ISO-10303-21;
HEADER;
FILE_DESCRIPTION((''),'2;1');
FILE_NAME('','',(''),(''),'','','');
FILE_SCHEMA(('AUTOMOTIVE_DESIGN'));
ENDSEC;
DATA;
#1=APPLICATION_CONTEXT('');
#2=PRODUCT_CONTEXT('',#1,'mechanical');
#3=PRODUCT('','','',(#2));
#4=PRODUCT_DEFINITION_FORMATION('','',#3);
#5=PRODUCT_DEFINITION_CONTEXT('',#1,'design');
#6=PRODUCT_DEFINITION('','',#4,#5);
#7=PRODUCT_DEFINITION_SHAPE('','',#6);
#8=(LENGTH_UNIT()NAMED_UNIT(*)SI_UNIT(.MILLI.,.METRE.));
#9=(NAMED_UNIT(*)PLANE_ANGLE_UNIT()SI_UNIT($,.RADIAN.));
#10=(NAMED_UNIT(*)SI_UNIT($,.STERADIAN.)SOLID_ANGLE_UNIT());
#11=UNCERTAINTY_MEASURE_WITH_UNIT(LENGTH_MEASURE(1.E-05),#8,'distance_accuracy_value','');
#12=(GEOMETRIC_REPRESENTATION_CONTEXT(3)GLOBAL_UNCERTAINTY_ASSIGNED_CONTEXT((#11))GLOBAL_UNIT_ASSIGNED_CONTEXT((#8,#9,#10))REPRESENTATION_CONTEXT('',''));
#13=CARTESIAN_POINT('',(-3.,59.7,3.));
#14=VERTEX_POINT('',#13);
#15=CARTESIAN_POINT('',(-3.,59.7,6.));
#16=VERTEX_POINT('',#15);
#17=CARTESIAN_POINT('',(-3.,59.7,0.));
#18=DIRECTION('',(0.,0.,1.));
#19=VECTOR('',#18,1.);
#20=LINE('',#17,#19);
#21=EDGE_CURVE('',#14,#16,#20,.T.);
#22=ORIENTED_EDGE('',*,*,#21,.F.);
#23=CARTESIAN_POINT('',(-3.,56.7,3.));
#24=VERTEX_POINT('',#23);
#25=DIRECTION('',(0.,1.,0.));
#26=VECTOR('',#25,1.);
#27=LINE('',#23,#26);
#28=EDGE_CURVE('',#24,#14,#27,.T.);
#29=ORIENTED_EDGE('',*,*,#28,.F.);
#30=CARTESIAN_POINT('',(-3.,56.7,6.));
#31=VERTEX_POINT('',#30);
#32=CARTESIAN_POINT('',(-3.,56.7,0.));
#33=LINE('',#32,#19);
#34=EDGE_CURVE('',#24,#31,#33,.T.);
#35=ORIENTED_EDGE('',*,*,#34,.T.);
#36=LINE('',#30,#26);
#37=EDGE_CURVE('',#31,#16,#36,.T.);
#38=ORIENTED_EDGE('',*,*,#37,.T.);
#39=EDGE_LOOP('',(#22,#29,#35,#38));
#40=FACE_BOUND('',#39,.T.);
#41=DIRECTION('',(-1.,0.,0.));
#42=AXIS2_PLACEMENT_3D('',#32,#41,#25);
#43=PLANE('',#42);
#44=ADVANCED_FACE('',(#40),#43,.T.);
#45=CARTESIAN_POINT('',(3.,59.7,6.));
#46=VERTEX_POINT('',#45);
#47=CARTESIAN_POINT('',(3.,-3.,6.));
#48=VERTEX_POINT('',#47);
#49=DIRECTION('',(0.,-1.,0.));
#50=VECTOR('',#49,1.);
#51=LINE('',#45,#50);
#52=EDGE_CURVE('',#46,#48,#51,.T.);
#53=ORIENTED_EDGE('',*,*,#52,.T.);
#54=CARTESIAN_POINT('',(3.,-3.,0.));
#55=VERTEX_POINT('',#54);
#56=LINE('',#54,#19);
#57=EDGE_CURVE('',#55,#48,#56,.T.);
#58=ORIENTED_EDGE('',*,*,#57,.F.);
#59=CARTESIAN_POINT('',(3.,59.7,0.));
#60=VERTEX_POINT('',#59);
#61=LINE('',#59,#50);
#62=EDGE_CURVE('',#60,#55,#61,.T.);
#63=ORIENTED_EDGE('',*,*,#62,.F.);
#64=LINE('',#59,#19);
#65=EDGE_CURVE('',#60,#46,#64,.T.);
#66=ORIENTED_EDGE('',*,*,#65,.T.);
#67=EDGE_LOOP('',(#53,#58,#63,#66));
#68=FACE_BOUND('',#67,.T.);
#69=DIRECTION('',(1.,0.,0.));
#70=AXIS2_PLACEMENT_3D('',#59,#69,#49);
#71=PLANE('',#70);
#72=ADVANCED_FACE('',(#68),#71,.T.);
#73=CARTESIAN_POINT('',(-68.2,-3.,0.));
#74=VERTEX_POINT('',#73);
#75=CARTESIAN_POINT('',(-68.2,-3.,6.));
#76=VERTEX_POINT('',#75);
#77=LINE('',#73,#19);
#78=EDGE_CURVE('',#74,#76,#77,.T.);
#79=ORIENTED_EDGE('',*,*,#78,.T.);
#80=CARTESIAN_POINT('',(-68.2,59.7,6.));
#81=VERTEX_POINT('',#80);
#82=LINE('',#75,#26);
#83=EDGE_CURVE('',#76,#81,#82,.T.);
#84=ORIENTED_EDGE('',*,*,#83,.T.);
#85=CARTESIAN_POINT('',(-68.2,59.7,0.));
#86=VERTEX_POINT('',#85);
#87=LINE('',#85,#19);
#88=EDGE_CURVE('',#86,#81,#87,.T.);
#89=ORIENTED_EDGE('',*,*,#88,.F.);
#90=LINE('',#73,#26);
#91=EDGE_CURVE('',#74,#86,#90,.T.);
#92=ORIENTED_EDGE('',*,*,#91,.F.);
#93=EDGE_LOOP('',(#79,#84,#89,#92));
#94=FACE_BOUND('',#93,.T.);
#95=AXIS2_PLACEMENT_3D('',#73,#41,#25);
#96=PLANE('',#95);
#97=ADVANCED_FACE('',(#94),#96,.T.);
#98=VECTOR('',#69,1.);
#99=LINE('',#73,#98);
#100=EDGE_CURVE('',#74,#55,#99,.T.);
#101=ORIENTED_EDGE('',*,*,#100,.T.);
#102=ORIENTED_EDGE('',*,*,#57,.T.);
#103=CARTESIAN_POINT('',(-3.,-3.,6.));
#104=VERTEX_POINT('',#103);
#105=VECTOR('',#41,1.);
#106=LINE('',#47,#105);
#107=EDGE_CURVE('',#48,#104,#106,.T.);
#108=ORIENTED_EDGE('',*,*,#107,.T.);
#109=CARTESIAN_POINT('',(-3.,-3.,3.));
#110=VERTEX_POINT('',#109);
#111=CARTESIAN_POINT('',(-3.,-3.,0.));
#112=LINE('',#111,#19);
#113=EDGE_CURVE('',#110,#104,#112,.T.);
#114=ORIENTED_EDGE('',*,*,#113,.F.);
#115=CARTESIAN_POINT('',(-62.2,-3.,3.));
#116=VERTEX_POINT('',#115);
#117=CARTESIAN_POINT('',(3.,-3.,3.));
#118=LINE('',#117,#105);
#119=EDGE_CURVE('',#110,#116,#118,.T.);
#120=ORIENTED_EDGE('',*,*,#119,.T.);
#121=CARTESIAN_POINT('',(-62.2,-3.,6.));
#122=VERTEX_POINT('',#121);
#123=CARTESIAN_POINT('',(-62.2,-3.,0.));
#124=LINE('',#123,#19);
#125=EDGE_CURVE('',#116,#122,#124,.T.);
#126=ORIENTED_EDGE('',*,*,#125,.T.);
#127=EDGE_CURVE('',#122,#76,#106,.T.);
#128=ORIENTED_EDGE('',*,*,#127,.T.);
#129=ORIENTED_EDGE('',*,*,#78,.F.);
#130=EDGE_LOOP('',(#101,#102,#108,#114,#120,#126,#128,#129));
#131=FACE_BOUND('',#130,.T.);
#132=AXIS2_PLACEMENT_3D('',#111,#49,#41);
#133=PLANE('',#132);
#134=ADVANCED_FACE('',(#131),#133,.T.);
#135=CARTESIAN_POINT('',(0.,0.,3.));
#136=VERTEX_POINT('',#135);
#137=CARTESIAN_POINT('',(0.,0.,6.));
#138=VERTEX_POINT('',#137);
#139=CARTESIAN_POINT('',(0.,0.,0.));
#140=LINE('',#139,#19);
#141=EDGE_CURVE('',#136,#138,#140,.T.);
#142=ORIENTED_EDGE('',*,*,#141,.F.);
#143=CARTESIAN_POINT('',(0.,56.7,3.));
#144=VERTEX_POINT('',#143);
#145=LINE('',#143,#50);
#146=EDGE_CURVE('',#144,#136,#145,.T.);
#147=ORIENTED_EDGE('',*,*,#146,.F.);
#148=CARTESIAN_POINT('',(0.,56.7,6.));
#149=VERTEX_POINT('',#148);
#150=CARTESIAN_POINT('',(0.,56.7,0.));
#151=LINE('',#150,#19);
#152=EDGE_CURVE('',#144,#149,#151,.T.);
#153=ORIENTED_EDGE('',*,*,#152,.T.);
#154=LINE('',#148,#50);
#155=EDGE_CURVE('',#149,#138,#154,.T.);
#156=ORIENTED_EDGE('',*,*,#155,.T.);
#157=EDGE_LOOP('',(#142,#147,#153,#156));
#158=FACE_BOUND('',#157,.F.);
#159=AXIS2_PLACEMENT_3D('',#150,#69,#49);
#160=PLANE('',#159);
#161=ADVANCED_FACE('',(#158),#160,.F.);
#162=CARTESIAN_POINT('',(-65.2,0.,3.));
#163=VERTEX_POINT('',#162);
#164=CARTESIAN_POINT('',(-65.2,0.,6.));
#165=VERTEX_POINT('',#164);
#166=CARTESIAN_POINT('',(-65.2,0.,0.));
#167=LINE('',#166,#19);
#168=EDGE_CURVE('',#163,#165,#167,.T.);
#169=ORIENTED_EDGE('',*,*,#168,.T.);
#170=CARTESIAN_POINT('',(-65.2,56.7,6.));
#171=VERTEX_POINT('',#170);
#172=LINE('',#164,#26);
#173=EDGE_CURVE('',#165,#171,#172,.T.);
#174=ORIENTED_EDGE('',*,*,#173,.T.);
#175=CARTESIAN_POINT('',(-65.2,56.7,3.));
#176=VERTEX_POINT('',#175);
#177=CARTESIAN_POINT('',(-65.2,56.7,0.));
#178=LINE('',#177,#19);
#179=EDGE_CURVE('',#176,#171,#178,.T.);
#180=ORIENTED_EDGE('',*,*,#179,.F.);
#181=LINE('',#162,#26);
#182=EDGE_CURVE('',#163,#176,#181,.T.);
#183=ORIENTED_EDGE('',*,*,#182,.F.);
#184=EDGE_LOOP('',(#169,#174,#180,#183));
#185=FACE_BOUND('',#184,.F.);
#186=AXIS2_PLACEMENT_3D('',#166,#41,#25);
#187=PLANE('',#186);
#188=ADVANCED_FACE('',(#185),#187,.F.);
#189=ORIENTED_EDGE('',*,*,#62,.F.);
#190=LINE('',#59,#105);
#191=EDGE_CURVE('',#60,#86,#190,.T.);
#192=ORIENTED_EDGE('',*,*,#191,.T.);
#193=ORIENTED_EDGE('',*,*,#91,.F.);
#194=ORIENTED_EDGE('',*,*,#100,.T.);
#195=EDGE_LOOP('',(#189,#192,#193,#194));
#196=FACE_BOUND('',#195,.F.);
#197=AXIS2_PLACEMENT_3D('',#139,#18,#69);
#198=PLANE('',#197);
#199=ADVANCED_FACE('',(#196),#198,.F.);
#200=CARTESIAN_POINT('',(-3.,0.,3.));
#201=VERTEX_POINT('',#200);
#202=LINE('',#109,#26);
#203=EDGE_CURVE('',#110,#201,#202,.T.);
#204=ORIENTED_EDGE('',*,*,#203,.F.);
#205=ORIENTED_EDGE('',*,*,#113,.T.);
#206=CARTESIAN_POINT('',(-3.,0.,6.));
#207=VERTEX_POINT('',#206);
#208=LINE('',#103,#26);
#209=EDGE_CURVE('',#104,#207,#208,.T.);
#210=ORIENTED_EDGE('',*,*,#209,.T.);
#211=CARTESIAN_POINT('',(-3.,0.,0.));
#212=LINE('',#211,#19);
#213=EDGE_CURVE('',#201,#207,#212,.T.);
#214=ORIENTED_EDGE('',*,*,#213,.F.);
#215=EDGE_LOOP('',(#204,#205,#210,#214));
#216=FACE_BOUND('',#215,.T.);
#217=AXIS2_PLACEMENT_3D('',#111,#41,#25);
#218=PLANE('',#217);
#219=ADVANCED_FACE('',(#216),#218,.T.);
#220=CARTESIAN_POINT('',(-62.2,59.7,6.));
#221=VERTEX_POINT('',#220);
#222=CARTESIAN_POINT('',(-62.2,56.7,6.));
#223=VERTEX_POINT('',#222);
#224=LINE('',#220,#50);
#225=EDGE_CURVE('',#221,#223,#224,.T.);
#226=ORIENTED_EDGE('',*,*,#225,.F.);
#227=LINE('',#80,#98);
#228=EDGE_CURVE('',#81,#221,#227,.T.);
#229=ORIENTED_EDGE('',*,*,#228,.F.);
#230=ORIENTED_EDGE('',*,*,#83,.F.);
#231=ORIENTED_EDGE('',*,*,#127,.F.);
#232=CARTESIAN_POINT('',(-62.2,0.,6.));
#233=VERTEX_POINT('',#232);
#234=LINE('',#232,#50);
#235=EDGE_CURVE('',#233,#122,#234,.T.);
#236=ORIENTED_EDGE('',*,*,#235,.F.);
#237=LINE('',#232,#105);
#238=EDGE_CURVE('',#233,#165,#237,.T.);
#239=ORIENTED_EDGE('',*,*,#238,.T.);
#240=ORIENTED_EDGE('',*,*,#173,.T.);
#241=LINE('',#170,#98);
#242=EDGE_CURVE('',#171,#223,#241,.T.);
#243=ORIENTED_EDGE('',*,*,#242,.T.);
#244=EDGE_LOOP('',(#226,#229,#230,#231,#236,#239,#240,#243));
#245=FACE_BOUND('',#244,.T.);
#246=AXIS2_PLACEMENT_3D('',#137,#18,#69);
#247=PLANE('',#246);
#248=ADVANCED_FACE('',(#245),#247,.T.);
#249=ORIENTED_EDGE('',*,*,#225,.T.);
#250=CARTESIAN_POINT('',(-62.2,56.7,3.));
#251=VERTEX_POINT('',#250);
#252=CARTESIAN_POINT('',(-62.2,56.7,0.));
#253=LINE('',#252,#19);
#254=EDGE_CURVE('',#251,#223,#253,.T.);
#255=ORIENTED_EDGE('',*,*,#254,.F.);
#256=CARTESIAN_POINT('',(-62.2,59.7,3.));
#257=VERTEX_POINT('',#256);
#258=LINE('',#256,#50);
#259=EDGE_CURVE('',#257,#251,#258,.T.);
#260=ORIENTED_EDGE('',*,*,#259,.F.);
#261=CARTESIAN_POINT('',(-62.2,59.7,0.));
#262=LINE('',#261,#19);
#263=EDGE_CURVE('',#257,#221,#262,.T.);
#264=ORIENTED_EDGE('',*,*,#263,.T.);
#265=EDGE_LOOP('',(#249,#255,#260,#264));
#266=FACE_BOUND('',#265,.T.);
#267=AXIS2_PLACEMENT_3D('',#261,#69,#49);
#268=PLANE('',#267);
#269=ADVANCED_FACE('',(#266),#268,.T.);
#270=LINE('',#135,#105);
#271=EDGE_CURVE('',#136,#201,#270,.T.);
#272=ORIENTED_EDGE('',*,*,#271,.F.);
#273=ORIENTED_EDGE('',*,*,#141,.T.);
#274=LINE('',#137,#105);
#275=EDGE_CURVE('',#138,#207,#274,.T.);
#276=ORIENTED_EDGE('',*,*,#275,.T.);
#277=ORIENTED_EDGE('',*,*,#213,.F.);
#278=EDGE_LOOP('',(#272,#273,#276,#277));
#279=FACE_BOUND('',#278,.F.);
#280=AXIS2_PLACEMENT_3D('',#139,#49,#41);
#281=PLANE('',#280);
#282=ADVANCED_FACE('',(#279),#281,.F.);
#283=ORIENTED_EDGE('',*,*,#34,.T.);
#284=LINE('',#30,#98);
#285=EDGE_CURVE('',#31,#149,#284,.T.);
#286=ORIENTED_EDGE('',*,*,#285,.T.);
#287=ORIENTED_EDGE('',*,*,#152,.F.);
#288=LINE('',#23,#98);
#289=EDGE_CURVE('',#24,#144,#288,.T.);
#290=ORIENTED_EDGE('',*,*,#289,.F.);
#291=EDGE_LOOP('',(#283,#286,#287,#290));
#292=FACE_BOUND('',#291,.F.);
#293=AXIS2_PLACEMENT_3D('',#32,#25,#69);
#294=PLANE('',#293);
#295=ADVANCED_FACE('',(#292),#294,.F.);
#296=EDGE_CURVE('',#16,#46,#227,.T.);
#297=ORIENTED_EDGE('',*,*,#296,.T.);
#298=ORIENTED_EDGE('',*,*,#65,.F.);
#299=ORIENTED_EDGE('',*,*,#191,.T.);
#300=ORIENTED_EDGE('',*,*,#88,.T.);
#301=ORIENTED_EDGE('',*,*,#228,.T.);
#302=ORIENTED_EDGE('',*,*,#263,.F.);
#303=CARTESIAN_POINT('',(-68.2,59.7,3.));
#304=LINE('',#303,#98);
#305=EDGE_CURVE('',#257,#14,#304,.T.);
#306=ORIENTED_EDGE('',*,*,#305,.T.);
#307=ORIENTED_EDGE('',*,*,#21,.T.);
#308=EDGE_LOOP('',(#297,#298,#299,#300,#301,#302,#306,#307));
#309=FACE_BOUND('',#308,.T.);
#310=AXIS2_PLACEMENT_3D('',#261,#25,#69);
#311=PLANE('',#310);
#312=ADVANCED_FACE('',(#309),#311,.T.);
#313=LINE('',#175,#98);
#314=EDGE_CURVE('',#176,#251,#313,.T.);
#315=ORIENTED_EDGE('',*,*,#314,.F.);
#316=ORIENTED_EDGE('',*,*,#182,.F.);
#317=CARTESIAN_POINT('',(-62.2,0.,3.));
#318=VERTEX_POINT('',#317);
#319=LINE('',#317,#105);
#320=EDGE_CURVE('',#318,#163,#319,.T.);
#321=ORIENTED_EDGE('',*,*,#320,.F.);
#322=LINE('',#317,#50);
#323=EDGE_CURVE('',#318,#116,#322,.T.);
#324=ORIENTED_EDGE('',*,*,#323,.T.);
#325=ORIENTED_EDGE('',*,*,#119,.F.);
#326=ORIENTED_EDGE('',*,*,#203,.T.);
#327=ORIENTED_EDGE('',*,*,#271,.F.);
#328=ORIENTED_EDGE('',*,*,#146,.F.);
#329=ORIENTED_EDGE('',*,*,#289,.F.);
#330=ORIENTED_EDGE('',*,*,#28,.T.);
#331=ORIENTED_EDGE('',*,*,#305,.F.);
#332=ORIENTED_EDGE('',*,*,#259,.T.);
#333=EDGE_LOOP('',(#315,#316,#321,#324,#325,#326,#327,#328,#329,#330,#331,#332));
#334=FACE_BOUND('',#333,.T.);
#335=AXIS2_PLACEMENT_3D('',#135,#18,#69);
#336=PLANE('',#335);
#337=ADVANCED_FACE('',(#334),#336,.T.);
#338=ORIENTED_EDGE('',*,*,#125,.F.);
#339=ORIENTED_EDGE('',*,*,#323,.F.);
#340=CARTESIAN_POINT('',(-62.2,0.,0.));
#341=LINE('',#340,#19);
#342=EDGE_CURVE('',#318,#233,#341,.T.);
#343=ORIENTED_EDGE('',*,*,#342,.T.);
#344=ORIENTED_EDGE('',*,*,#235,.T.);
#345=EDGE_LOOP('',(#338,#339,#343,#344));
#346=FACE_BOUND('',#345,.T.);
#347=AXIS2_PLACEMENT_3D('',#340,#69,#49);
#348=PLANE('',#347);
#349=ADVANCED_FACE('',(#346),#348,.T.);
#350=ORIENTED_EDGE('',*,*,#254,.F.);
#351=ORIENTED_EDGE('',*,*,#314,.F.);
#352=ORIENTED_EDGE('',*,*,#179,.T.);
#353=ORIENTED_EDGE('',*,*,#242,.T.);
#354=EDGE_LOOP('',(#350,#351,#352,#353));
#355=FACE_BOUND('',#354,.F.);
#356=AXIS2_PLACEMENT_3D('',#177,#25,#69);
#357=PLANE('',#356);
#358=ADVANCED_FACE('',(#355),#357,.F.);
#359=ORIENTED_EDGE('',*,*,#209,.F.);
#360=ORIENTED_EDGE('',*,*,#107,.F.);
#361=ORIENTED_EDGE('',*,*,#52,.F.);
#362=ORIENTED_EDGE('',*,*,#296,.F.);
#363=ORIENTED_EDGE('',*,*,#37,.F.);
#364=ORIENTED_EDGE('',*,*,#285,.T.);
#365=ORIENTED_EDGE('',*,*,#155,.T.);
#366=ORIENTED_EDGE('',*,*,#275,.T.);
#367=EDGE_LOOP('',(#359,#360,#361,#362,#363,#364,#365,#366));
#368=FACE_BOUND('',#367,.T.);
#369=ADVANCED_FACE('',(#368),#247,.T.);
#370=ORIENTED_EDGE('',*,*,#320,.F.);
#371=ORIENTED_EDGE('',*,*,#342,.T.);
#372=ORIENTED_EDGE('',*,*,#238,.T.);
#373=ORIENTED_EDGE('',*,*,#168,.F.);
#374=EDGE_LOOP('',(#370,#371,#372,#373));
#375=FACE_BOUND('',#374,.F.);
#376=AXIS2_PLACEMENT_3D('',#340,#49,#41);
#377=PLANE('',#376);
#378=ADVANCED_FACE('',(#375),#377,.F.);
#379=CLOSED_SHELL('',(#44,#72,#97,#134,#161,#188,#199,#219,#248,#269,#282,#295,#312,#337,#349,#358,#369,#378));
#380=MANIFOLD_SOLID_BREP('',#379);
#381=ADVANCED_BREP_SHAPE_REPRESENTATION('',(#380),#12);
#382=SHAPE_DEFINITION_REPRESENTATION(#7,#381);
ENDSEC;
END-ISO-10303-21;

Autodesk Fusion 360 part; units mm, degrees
sketch "Sketch1" plane through (0, 0, 0) normal (0, 0, 1) x (1, 0, 0)
  line L0 (-65.2, 0) -> (-65.2, 56.7)
  line L1 (0, 56.7) -> (0, 0)
  line L2 (3, -3) -> (-68.2, -3)
  line L3 (-68.2, -3) -> (-68.2, 59.7)
  line L4 (-68.2, 59.7) -> (3, 59.7)
  line L5 (3, 59.7) -> (3, -3)
  line L6 (-62.2, 59.7) -> (-62.2, 56.7)
  line L7 (-62.2, 0) -> (-62.2, -3)
  line L8 (-3, -3) -> (-3, 0)
  line L9 (-3, 56.7) -> (-3, 59.7)
  line L10 (-65.2, 56.7) -> (-62.2, 56.7)
  line L11 (-3, 56.7) -> (0, 56.7)
  line L12 (0, 0) -> (-3, 0)
  line L13 (-62.2, 0) -> (-65.2, 0)
  dimension "d1" = 65.2
  dimension "d2" = 56.7
  dimension "d4" = 6
  dimension "d5" = 6
  dimension "d6" = 6
  dimension "d7" = 6
extrude "Extrude1" add sketch "Sketch1" along normal blind 6 contours L0 L2 L3 L4 L6 L7 L10 L13 | L1 L2 L4 L5 L8 L9 L11 L12 makes body 1 at (-68.2, 17.9, 2) makes body 2 at (3, 38.8, 2)
extrude "Extrude2" add sketch "Sketch1" along normal blind 3 contours L0 L1 L2 L4 L6 L7 L8 L9 L10 L11 L12 L13 bodies 1 2
